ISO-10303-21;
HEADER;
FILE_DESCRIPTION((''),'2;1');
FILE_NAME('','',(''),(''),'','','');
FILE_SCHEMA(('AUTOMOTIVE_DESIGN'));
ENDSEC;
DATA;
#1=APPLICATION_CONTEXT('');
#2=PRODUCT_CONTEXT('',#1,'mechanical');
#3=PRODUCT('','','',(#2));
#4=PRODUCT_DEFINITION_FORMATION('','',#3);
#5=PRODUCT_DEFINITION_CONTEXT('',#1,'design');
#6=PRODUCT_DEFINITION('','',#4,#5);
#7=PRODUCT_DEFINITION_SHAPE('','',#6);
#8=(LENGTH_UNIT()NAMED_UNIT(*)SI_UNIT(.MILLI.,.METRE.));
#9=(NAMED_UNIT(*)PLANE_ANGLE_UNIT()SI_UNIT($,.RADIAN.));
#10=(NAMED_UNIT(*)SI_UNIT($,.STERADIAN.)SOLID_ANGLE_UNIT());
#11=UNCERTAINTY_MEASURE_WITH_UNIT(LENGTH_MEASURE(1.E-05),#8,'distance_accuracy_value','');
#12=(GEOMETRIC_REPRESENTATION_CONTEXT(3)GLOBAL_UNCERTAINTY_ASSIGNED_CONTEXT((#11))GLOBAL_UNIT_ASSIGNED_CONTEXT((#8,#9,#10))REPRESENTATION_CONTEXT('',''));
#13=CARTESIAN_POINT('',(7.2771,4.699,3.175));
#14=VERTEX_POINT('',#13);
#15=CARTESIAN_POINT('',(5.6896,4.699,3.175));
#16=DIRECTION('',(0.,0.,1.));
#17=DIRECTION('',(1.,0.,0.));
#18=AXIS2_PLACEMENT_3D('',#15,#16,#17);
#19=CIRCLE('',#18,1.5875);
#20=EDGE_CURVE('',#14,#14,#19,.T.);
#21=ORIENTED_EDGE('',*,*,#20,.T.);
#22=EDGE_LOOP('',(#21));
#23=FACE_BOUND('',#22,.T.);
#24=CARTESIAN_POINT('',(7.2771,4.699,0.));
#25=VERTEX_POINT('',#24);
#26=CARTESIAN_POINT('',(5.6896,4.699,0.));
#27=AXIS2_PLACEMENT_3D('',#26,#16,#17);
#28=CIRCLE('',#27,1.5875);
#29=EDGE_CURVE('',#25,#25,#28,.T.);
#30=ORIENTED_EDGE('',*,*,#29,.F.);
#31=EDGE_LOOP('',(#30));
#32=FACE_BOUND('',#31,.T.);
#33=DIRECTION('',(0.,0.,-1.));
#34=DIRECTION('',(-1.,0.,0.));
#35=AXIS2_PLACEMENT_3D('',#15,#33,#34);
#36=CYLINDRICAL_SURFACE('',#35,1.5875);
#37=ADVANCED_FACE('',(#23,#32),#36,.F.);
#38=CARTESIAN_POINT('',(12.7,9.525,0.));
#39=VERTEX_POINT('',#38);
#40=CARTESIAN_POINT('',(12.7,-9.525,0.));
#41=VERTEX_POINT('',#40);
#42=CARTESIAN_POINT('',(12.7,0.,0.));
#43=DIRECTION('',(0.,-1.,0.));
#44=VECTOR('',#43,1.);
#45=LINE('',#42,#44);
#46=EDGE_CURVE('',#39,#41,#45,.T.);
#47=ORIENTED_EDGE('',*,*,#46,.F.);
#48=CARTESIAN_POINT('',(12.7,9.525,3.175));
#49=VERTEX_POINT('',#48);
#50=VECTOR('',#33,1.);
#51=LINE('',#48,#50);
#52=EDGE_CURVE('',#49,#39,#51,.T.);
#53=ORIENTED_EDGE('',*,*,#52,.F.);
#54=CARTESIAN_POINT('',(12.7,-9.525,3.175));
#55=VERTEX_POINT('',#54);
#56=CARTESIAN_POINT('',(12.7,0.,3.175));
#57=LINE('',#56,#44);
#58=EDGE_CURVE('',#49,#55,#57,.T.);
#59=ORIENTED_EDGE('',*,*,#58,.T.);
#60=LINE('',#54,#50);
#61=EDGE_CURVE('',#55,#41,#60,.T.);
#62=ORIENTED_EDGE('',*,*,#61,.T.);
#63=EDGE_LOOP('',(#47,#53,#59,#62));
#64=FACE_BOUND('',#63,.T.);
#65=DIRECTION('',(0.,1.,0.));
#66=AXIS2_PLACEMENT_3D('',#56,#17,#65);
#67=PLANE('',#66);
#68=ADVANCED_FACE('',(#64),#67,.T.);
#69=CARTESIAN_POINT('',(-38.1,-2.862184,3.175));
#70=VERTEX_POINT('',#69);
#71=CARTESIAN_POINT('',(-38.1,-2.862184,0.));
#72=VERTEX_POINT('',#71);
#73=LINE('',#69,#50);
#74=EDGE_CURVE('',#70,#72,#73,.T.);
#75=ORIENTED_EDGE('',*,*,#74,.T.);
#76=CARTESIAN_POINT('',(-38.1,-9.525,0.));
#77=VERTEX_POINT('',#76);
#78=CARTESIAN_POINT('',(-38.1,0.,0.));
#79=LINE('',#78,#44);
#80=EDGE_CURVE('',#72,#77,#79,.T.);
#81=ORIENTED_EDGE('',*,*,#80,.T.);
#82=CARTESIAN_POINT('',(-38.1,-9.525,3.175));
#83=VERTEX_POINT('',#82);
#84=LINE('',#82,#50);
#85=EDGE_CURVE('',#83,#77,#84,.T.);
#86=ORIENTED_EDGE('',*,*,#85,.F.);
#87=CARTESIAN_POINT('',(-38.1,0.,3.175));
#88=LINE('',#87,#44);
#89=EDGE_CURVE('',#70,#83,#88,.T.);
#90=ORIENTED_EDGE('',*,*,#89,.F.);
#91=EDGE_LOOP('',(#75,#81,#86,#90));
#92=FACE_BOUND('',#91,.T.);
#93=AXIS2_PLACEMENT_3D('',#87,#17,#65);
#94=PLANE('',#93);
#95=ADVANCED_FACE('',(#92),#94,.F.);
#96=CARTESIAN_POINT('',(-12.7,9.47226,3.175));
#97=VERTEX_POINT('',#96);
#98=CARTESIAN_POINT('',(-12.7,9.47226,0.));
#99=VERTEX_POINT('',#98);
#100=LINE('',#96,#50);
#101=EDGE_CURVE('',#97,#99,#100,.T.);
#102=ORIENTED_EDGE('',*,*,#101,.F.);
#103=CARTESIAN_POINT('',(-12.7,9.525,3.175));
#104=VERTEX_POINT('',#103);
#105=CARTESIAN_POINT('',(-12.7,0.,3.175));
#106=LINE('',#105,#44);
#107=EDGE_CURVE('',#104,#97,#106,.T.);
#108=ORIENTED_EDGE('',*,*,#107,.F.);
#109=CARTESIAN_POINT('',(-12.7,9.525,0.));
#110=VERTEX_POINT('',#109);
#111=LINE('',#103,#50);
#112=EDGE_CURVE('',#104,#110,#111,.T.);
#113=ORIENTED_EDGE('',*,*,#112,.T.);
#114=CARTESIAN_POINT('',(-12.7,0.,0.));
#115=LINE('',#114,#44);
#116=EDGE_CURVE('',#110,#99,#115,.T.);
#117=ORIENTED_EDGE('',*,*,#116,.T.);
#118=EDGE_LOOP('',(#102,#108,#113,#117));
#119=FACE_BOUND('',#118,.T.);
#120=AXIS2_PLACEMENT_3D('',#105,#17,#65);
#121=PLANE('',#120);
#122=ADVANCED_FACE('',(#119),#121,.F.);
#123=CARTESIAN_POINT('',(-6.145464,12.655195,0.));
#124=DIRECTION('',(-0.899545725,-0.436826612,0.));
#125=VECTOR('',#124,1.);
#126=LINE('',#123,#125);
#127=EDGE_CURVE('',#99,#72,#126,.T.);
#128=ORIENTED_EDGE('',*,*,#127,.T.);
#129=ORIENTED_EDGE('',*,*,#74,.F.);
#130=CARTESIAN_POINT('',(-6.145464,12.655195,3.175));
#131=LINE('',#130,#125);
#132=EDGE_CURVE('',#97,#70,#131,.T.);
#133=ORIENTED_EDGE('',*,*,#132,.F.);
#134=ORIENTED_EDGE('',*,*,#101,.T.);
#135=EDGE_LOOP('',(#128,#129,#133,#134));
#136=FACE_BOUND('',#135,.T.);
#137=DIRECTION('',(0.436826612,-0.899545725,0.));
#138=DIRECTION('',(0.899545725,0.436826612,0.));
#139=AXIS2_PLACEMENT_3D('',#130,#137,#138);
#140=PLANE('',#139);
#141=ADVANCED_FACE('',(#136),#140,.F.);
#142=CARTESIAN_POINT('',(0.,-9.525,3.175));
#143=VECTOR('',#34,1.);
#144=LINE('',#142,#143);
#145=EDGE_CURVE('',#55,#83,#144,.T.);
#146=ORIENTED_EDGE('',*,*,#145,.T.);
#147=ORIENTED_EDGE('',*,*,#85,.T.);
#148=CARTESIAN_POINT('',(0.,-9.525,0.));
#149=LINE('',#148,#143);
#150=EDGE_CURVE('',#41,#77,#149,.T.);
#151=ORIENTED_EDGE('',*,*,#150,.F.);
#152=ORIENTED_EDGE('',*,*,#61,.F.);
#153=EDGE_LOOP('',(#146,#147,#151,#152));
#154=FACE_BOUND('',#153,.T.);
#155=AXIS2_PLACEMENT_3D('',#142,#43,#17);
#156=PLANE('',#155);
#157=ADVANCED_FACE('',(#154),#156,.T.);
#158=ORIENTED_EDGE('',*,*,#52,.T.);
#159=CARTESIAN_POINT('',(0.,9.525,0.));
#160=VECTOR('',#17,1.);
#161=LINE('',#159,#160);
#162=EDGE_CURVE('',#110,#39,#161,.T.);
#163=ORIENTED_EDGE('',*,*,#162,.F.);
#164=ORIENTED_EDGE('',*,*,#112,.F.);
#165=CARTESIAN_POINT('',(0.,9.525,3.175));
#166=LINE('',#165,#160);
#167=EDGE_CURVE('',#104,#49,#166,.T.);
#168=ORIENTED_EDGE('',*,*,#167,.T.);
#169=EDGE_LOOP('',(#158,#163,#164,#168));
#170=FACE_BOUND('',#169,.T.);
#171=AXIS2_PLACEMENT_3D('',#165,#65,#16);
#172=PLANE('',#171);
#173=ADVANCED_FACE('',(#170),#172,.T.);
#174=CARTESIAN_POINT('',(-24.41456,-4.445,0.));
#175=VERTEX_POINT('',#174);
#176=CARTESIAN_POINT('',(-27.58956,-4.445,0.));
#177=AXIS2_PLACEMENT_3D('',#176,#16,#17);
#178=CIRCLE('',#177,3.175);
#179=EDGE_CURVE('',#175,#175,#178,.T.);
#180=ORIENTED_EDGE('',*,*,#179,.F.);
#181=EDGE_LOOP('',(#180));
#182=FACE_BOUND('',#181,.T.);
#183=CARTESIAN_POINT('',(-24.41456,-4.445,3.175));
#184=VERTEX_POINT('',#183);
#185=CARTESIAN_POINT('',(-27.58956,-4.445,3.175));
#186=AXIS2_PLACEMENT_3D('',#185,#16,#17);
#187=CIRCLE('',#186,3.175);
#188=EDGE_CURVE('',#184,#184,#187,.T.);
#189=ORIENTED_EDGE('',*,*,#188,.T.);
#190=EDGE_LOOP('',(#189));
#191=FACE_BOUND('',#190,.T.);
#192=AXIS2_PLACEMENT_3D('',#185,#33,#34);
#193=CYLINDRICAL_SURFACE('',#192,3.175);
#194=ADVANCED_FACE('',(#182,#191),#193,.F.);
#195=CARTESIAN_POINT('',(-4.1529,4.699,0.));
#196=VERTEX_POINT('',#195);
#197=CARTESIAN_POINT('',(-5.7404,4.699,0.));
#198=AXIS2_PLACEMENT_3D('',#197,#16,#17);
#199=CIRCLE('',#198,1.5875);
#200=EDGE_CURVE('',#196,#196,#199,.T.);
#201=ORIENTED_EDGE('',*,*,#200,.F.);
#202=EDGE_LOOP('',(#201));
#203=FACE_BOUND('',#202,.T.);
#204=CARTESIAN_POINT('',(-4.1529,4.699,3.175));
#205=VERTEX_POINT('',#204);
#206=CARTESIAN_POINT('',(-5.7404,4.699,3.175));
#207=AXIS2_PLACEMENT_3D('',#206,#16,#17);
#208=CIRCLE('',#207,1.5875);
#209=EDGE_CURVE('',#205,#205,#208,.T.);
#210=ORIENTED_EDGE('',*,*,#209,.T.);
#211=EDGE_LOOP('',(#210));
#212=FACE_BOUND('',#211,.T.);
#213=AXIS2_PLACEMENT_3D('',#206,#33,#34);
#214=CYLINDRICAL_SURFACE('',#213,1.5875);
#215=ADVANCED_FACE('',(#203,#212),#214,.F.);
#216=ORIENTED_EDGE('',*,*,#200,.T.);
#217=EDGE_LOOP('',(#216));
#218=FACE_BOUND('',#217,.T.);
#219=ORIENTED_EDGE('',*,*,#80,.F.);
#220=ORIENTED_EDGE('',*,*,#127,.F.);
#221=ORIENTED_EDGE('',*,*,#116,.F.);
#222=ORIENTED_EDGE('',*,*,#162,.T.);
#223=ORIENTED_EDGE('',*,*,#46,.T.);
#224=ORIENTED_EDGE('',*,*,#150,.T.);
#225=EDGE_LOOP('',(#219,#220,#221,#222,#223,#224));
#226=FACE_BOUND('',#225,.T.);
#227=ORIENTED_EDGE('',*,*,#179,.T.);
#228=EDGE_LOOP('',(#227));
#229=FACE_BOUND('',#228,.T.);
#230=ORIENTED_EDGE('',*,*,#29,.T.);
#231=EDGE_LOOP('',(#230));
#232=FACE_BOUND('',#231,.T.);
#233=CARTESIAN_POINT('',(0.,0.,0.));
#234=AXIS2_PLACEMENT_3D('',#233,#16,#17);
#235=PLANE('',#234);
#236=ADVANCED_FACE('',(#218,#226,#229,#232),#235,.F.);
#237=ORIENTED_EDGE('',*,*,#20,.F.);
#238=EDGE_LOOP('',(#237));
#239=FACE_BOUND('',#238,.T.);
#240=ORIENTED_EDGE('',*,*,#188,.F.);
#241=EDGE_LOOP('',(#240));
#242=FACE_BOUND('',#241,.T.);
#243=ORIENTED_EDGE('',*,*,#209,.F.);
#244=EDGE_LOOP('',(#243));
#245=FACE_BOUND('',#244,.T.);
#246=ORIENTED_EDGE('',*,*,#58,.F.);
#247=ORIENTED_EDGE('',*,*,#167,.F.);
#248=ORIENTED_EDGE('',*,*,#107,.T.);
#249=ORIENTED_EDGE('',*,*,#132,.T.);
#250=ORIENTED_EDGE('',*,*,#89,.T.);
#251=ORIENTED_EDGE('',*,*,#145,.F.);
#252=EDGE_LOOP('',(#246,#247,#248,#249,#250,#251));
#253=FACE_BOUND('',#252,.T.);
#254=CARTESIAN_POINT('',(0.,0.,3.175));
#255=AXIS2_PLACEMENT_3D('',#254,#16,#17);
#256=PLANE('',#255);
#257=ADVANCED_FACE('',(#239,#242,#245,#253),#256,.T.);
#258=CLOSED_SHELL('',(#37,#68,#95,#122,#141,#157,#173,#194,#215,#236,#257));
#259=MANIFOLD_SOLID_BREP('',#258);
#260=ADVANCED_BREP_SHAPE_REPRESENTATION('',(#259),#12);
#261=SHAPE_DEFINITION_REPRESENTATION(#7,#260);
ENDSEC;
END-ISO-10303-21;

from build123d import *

# Parameters (mm, degrees)
SKETCH4_R           = 1.5875
SKETCH4_R_2         = 3.175
BOSS_EXTRUDE1_DEPTH = 3.175


with BuildPart() as part:
    # Sketch4 → Boss-Extrude1 (new body)
    with BuildSketch(Plane.XY):
        Polygon((12.7, 9.525), (-12.7, 9.525), (-12.7, 9.47226002), (-38.1, -2.862183506), (-38.1, -9.525), (12.7, -9.525), align=None)
        with Locations((-5.7404, 4.699)):
            Circle(SKETCH4_R, mode=Mode.SUBTRACT)
        with Locations((5.6896, 4.699)):
            Circle(SKETCH4_R, mode=Mode.SUBTRACT)
        with Locations((-27.589559724, -4.445)):
            Circle(SKETCH4_R_2, mode=Mode.SUBTRACT)
    extrude(amount=BOSS_EXTRUDE1_DEPTH)


solid = part.part
